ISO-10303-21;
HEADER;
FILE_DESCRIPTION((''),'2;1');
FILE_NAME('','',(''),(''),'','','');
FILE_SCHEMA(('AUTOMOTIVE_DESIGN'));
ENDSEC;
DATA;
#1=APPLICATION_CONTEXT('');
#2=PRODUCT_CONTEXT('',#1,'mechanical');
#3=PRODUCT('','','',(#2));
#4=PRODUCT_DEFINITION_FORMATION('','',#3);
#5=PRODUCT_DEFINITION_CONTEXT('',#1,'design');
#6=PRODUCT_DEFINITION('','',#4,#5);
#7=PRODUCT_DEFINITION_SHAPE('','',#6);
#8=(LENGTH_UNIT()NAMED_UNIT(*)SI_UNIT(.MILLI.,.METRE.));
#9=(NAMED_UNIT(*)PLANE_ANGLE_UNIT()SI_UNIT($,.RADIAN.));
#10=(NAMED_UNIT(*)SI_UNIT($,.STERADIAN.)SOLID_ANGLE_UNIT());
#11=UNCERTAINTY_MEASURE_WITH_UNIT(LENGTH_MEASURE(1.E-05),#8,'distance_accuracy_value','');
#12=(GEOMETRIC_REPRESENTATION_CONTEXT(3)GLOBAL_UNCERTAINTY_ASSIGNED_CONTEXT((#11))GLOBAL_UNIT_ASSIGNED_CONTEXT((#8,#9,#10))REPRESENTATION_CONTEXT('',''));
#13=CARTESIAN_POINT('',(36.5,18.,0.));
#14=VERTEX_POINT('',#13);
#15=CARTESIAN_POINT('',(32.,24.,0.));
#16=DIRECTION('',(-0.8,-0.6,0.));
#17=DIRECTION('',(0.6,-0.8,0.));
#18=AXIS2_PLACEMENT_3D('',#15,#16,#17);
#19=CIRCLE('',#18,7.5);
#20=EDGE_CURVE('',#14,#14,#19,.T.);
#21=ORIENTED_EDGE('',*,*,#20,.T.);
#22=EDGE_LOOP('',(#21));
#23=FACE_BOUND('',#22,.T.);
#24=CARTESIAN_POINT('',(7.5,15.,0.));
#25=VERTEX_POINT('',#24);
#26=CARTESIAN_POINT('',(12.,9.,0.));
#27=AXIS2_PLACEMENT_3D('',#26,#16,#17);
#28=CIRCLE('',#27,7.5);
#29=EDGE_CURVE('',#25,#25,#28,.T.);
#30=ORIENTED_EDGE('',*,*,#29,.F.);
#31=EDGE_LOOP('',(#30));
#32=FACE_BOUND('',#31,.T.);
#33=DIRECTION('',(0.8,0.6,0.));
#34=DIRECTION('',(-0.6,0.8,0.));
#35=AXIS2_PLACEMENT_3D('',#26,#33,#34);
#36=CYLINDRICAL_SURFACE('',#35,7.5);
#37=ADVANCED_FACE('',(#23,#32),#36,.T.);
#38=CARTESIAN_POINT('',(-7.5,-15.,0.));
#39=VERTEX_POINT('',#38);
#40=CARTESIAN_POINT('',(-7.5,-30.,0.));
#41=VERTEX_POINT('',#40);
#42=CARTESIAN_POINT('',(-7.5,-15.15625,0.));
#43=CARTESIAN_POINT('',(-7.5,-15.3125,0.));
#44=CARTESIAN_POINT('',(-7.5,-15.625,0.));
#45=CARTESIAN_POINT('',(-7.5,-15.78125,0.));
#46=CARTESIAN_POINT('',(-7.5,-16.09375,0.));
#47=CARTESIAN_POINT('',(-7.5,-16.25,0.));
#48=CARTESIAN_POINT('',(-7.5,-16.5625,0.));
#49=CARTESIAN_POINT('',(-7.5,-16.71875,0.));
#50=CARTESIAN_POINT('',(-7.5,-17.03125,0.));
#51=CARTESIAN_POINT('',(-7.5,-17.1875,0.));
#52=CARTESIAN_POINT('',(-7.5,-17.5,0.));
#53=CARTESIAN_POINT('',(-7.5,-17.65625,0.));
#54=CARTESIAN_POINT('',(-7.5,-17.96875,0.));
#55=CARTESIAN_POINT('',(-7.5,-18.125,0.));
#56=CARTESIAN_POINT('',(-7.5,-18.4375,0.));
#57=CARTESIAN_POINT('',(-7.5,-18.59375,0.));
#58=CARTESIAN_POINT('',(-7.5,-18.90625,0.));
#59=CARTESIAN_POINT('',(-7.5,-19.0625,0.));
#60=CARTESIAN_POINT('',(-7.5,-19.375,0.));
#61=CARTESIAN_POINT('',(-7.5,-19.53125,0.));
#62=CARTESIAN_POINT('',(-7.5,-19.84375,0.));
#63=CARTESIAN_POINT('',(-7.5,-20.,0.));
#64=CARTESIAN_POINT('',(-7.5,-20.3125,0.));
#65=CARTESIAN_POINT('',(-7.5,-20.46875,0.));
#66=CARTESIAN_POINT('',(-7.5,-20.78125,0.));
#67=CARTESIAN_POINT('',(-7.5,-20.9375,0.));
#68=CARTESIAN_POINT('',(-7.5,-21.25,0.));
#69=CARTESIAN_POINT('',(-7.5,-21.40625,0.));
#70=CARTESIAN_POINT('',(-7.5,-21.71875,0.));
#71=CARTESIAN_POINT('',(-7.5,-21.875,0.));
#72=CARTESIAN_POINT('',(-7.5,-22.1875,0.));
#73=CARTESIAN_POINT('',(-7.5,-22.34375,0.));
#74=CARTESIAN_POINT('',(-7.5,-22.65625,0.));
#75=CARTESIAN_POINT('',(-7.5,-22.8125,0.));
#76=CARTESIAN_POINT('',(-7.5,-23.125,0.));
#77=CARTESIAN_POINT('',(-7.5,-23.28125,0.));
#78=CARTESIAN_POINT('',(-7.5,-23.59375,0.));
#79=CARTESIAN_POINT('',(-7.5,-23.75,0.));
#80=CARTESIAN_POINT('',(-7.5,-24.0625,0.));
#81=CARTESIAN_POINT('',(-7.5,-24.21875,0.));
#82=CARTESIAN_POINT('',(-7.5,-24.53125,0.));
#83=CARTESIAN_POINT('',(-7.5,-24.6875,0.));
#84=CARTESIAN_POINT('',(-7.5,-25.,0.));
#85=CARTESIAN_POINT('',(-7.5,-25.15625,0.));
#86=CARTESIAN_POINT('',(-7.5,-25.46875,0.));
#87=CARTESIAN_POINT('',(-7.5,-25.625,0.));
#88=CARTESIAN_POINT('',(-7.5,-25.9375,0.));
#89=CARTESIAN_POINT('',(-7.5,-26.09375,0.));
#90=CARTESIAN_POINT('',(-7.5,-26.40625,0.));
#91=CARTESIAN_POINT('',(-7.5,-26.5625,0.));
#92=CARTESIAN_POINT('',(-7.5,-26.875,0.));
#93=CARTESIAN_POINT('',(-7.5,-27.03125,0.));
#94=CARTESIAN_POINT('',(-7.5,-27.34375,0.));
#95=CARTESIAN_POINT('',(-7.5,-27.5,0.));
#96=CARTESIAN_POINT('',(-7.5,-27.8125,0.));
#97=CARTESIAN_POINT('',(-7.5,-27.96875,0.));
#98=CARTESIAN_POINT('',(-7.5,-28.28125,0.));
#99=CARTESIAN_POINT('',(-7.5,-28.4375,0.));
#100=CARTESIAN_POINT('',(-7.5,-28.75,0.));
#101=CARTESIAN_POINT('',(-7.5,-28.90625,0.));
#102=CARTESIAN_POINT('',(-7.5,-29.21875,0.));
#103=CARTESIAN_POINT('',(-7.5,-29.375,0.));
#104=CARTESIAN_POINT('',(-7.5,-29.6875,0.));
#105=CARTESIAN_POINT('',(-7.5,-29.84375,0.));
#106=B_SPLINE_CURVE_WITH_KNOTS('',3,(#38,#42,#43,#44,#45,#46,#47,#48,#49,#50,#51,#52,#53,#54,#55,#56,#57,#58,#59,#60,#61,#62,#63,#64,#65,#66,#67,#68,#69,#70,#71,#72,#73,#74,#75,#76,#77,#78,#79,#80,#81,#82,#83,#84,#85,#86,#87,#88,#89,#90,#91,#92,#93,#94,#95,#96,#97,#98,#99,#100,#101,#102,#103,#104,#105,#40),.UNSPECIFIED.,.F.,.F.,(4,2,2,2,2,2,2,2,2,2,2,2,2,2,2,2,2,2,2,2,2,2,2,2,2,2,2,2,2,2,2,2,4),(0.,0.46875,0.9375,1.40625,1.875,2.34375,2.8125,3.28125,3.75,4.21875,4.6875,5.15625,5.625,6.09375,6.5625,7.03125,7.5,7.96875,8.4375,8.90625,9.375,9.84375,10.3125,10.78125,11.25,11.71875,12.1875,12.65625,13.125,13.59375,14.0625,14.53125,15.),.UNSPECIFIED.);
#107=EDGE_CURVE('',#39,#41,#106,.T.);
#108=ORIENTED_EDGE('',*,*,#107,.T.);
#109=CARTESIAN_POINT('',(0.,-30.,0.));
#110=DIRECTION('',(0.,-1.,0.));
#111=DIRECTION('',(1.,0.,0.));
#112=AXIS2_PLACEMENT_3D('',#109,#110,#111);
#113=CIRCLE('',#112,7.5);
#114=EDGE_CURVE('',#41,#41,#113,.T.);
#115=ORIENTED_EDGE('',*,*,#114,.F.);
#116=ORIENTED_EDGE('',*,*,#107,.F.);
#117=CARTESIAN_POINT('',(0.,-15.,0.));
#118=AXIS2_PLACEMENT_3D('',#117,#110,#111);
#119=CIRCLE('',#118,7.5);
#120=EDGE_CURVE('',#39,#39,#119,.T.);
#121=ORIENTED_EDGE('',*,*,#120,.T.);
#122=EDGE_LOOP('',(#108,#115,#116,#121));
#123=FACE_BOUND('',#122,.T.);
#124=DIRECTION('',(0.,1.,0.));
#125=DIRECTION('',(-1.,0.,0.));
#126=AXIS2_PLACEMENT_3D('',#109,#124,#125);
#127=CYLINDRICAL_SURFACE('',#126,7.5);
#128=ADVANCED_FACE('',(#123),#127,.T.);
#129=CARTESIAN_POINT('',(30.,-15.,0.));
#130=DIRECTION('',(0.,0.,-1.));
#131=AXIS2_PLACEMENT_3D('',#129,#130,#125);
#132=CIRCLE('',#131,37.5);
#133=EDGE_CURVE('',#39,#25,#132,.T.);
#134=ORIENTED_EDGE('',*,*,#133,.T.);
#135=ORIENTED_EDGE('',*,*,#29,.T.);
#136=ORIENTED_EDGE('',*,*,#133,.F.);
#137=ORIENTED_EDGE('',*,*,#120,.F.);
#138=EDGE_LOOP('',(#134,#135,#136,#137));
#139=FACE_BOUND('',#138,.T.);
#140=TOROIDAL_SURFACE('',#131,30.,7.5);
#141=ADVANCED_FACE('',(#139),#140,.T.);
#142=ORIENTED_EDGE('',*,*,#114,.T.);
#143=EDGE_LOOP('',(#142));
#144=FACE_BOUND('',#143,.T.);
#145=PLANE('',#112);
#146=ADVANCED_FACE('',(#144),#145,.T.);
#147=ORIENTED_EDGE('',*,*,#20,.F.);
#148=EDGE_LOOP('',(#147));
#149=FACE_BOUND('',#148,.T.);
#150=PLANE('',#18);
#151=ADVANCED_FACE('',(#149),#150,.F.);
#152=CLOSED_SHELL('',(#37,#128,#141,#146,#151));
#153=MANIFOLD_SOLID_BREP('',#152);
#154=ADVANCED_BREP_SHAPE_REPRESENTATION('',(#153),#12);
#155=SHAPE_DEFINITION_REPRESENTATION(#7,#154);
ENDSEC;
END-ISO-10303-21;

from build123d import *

# Parameters (mm, degrees)
SWEEP1_PROFILE_R = 2.5
SCALE1_SCALE     = 3


with BuildPart() as part:
    # Sweep1: sweep along a path in Sketch1
    with BuildLine(Plane.XY) as sweep1_path:
        Line((0, -10), (0, -5))
        ThreePointArc((0, -5), (1.05572809, -0.527864045), (4, 3))
        Line((4, 3), (10.666666667, 8))
    # Sweep1 profile (on start of the path) → Sweep1 (sweep)
    with BuildSketch(Plane(origin=(0, -10, 0), x_dir=(1, 0, 0), z_dir=(0, 1, 0))):
        Circle(SWEEP1_PROFILE_R)
    sweep(path=sweep1_path.line)


with BuildPart() as part_1:
    # Scale1: scaled about (0, 0, 0)
    add(part.part.scale(SCALE1_SCALE))


solid = part_1.part
